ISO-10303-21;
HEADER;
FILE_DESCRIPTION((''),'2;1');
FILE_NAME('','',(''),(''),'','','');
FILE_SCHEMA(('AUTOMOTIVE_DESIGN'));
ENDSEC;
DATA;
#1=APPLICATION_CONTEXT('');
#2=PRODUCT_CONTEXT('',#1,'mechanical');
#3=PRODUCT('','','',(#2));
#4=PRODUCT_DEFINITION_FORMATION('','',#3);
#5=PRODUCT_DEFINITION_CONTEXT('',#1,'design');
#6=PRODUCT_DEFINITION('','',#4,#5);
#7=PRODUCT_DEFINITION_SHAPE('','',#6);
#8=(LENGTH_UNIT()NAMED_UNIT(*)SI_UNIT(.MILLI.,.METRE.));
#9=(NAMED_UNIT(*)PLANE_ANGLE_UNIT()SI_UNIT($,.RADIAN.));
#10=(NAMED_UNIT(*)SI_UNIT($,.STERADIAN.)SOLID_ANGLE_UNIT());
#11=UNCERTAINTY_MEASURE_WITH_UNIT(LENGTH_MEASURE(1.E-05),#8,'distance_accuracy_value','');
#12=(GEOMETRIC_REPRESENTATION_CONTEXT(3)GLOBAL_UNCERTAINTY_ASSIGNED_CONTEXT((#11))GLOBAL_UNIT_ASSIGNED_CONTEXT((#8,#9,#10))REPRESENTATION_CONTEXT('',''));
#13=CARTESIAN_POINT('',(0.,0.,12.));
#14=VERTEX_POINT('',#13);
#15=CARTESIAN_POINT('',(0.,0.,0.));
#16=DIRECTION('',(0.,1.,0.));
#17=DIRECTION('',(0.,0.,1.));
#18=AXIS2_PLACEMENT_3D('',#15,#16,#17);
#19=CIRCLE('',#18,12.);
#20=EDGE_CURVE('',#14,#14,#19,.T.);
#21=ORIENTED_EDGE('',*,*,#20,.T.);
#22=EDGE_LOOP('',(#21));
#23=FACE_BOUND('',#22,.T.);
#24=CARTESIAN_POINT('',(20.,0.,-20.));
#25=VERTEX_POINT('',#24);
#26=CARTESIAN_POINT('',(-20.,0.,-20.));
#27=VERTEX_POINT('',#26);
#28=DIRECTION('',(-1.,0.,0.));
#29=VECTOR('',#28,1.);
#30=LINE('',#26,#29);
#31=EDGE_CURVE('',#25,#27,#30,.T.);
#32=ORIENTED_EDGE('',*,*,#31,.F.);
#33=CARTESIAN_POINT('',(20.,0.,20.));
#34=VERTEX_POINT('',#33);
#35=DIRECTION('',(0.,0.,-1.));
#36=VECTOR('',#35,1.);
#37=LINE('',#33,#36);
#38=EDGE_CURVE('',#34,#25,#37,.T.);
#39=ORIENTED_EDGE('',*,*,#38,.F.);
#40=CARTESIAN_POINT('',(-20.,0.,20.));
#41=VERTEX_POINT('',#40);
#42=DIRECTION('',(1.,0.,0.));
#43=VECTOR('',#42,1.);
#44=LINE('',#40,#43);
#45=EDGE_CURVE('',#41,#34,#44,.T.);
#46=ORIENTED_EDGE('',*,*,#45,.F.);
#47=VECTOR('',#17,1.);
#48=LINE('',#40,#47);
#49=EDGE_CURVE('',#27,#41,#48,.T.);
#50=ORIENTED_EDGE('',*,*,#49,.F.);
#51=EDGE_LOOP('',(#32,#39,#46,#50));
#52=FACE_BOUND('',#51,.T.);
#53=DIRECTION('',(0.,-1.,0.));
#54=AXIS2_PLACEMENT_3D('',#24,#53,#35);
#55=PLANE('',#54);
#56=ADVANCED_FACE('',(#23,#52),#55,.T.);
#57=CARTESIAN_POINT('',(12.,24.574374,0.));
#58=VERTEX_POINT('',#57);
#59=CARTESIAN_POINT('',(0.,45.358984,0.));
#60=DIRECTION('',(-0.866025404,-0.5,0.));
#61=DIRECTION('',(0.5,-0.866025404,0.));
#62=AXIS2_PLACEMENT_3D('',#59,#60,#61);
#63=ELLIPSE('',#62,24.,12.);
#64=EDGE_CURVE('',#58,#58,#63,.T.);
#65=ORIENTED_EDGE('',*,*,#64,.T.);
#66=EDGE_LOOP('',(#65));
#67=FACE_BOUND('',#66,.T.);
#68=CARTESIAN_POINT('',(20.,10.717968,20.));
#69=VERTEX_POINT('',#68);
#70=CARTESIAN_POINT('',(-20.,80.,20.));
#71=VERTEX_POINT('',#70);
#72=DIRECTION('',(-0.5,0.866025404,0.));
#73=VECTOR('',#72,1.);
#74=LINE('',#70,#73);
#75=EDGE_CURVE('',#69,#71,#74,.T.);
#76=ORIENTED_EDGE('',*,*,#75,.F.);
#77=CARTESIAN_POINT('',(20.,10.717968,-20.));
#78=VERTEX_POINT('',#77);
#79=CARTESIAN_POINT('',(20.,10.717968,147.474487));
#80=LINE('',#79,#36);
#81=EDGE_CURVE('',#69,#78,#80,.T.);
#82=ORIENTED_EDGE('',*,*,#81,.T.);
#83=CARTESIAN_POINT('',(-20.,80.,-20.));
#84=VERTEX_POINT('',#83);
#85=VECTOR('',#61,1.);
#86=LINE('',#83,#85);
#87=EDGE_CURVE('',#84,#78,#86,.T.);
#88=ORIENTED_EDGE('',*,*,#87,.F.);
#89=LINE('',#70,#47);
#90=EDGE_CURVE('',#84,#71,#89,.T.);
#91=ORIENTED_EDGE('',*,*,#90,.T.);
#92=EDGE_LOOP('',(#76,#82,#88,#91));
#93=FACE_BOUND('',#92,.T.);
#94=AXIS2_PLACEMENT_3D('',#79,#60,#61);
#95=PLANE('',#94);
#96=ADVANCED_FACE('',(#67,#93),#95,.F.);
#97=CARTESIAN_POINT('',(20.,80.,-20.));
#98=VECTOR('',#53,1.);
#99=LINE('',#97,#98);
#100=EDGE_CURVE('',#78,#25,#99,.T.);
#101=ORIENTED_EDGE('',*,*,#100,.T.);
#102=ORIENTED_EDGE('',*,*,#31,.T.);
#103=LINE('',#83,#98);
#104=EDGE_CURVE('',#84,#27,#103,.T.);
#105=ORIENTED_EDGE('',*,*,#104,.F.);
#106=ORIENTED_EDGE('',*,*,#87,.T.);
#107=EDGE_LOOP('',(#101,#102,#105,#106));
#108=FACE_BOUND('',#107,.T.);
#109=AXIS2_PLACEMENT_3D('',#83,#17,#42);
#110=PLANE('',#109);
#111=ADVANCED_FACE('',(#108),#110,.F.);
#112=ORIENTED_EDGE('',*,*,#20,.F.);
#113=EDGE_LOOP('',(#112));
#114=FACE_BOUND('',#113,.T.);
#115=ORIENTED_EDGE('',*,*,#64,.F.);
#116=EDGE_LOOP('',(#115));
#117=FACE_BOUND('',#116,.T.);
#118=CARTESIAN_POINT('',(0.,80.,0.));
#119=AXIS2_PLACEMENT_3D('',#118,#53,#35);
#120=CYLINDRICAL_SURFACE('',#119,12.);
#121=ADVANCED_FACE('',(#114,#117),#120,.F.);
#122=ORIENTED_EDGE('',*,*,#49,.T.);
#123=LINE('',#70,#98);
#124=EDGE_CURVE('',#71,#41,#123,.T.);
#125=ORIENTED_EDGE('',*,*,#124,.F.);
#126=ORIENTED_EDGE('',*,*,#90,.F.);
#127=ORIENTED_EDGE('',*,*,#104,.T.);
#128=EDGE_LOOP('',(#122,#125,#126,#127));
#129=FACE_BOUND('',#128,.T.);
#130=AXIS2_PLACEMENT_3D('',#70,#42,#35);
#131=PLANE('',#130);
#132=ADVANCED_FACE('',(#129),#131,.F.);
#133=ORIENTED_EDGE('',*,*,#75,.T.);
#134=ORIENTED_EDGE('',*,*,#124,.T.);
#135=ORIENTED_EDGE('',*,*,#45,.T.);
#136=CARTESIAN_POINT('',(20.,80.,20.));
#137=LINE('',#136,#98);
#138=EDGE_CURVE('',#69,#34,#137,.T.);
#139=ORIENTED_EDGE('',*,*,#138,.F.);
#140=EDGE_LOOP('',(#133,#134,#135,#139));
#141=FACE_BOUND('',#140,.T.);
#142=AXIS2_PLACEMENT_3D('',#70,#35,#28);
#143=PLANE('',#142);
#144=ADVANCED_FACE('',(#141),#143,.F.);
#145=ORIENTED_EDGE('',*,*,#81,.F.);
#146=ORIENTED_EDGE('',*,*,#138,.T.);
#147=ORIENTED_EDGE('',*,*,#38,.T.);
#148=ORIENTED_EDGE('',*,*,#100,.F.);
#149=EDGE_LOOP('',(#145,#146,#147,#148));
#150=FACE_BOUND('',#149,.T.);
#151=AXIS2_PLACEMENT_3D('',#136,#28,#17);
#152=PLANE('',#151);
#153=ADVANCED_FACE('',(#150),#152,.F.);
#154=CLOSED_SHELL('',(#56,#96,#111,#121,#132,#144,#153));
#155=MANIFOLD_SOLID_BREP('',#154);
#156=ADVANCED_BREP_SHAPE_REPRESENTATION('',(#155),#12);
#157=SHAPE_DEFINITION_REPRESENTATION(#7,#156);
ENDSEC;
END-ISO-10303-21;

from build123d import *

# Parameters (mm, degrees)
SKETCH_1_W               = 40
SKETCH_1_H               = 40
SKETCH_1_R               = 12
EXTRUDE_1_DEPTH          = 80
CUT_EXTRUDE_2_DEPTH      = 85.852813742
CUT_EXTRUDE_2_DEPTH_BACK = 85.852813742


with BuildPart() as part:
    # 草圖1 → 填料-伸長1 (new body)
    with BuildSketch(Plane(origin=(0, 0, 0), x_dir=(1, 0, 0), z_dir=(0, 1, 0))):
        Rectangle(SKETCH_1_W, SKETCH_1_H)
        with Locations(Location((0, 0, 0), (0, 0, 270))):
            Circle(SKETCH_1_R, mode=Mode.SUBTRACT)
    extrude(amount=EXTRUDE_1_DEPTH)

    # 草圖2 → 除料-伸長2 (cut, two sides: drawn at the far end of the back side and taken through both)
    with BuildSketch(Plane.XY.offset(-CUT_EXTRUDE_2_DEPTH_BACK)):
        Polygon((114.4427191, -152.861620189), (20, 10.717967697), (-20, 80), (-114.4427191, 243.579587886), (212.716456672, 432.465026086), (441.601894872, 36.023818011), align=None)
    extrude(amount=CUT_EXTRUDE_2_DEPTH + CUT_EXTRUDE_2_DEPTH_BACK, mode=Mode.SUBTRACT)


solid = part.part
